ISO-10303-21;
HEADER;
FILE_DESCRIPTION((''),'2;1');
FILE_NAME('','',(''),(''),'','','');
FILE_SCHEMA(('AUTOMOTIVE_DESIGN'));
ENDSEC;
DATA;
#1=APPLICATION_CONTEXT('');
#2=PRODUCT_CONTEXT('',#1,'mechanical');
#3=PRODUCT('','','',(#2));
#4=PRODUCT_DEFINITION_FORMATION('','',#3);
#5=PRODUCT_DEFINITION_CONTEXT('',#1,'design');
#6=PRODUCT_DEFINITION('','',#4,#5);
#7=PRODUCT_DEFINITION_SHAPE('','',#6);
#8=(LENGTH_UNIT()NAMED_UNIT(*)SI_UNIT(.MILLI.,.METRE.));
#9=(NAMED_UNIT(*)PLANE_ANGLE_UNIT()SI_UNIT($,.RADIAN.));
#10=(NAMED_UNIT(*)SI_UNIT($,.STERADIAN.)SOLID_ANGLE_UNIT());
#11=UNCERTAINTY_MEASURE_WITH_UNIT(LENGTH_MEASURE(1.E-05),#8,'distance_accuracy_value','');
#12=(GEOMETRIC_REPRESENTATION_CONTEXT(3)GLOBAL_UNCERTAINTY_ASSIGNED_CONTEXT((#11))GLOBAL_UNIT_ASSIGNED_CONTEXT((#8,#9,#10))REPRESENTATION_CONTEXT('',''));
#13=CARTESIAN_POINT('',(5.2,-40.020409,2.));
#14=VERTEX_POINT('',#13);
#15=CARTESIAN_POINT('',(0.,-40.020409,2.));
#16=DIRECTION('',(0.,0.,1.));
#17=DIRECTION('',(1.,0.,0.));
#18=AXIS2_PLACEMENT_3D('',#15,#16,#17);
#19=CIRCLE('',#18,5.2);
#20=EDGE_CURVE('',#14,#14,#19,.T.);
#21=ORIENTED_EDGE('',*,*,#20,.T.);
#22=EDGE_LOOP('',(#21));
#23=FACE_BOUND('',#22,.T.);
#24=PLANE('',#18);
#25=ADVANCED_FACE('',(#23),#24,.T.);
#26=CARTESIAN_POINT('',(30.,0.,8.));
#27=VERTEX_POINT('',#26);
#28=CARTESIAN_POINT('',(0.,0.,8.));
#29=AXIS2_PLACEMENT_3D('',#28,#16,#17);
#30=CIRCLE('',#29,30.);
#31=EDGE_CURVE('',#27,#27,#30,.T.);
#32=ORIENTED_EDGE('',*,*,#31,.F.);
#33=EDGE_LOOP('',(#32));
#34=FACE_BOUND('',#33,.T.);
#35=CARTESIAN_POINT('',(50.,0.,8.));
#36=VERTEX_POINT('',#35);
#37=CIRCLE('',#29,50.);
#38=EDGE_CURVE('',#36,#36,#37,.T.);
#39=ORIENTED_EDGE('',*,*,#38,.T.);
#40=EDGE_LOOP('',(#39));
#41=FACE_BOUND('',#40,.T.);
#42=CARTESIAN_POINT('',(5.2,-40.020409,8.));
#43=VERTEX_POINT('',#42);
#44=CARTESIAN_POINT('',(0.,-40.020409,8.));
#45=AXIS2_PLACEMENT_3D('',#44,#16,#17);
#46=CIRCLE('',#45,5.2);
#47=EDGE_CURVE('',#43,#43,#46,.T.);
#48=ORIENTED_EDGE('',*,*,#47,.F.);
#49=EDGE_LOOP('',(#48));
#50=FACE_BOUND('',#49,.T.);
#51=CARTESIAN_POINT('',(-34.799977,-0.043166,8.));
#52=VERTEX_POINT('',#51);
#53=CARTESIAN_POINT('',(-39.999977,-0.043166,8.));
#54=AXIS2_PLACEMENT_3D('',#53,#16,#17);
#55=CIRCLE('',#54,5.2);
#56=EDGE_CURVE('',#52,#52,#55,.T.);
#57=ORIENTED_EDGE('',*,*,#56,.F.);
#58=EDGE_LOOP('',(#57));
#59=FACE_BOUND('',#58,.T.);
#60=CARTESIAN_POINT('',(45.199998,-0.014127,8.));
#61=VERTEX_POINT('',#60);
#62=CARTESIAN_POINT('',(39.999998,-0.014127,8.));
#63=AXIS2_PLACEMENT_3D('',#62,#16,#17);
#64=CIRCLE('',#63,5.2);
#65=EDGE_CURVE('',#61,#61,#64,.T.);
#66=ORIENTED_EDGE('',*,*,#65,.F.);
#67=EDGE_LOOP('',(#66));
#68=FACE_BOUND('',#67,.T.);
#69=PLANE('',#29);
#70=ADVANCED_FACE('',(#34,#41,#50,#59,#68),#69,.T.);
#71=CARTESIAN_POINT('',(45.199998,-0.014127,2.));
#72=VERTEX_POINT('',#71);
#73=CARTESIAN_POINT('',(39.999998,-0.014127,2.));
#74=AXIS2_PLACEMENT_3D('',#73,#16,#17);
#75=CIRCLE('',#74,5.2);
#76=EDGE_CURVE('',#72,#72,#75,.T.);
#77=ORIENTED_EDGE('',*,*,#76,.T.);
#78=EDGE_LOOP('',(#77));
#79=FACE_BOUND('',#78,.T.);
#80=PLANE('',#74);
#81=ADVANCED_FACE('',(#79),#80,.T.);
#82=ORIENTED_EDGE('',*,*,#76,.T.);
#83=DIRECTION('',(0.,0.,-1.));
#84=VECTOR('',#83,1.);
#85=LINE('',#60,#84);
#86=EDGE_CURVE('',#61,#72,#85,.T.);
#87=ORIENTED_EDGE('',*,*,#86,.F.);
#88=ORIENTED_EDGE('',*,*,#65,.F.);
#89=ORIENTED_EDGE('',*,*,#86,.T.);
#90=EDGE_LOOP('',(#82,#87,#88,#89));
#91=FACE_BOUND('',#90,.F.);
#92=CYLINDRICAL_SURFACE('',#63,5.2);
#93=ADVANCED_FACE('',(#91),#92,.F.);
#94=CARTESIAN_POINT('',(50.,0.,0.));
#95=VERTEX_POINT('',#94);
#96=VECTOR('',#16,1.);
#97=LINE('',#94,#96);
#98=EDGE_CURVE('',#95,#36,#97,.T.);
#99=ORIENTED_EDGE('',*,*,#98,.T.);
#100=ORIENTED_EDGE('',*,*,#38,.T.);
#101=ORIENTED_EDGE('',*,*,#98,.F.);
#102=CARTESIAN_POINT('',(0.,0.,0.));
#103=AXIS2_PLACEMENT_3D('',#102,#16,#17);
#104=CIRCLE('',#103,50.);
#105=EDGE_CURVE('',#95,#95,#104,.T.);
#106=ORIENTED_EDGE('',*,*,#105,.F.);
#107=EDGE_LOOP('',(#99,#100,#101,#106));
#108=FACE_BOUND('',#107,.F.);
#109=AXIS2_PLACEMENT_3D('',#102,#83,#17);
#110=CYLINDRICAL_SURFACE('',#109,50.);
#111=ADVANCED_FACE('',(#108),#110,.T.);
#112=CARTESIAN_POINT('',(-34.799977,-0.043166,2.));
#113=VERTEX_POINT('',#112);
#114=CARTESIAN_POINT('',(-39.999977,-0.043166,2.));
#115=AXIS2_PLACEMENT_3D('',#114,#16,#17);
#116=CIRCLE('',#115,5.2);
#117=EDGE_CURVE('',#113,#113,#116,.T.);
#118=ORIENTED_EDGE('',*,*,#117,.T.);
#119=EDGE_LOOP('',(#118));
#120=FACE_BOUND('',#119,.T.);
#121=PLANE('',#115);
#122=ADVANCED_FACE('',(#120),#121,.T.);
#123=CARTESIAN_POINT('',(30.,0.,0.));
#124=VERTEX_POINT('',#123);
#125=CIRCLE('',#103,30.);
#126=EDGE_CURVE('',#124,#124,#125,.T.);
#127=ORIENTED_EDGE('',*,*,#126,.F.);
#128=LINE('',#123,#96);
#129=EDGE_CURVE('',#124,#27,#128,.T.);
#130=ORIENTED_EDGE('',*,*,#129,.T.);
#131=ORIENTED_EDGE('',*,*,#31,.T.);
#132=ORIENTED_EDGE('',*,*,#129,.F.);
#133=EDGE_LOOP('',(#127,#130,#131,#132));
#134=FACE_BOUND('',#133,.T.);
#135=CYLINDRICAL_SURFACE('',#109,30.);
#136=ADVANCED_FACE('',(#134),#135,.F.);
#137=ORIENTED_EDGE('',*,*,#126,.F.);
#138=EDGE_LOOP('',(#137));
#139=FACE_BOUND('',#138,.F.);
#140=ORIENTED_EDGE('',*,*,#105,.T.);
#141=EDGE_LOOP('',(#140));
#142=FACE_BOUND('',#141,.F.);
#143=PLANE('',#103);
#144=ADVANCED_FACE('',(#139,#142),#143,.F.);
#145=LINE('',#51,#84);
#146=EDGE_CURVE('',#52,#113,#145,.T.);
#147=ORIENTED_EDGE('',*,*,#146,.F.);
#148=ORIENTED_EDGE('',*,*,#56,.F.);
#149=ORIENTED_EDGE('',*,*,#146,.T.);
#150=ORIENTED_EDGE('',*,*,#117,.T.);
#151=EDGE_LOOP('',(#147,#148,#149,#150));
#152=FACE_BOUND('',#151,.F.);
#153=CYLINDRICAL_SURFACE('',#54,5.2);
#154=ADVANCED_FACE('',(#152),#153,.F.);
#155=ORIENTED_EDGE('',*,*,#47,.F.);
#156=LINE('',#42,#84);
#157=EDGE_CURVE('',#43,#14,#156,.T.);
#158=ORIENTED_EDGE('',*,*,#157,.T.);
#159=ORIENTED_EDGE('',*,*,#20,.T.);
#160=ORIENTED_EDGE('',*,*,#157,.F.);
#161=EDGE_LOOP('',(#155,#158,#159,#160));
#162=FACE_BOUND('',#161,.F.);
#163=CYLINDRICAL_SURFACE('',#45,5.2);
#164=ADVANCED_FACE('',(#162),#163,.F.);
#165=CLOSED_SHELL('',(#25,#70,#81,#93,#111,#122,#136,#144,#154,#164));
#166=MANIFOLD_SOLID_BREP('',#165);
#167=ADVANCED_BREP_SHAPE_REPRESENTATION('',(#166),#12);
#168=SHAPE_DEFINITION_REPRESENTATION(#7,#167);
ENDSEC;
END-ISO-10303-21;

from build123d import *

# Parameters (mm, degrees)
SKETCH_R     = 50
SKETCH_R_2   = 30
PAD_DEPTH    = 8
SKETCH001_R  = 5.2
POCKET_DEPTH = 6


with BuildPart() as part:
    # Sketch → Pad (new body)
    with BuildSketch(Plane.XY):
        Circle(SKETCH_R)
        Circle(SKETCH_R_2, mode=Mode.SUBTRACT)
    extrude(amount=PAD_DEPTH)

    # Sketch001 (on Face4 of Pad) → Pocket (cut)
    with BuildSketch(Plane.XY.offset(8)):
        with Locations((-39.999977, -0.043166)):
            Circle(SKETCH001_R)
        with Locations((0, -40.020409)):
            Circle(SKETCH001_R)
        with Locations((39.999998, -0.014127)):
            Circle(SKETCH001_R)
    extrude(amount=-POCKET_DEPTH, mode=Mode.SUBTRACT)


solid = part.part
